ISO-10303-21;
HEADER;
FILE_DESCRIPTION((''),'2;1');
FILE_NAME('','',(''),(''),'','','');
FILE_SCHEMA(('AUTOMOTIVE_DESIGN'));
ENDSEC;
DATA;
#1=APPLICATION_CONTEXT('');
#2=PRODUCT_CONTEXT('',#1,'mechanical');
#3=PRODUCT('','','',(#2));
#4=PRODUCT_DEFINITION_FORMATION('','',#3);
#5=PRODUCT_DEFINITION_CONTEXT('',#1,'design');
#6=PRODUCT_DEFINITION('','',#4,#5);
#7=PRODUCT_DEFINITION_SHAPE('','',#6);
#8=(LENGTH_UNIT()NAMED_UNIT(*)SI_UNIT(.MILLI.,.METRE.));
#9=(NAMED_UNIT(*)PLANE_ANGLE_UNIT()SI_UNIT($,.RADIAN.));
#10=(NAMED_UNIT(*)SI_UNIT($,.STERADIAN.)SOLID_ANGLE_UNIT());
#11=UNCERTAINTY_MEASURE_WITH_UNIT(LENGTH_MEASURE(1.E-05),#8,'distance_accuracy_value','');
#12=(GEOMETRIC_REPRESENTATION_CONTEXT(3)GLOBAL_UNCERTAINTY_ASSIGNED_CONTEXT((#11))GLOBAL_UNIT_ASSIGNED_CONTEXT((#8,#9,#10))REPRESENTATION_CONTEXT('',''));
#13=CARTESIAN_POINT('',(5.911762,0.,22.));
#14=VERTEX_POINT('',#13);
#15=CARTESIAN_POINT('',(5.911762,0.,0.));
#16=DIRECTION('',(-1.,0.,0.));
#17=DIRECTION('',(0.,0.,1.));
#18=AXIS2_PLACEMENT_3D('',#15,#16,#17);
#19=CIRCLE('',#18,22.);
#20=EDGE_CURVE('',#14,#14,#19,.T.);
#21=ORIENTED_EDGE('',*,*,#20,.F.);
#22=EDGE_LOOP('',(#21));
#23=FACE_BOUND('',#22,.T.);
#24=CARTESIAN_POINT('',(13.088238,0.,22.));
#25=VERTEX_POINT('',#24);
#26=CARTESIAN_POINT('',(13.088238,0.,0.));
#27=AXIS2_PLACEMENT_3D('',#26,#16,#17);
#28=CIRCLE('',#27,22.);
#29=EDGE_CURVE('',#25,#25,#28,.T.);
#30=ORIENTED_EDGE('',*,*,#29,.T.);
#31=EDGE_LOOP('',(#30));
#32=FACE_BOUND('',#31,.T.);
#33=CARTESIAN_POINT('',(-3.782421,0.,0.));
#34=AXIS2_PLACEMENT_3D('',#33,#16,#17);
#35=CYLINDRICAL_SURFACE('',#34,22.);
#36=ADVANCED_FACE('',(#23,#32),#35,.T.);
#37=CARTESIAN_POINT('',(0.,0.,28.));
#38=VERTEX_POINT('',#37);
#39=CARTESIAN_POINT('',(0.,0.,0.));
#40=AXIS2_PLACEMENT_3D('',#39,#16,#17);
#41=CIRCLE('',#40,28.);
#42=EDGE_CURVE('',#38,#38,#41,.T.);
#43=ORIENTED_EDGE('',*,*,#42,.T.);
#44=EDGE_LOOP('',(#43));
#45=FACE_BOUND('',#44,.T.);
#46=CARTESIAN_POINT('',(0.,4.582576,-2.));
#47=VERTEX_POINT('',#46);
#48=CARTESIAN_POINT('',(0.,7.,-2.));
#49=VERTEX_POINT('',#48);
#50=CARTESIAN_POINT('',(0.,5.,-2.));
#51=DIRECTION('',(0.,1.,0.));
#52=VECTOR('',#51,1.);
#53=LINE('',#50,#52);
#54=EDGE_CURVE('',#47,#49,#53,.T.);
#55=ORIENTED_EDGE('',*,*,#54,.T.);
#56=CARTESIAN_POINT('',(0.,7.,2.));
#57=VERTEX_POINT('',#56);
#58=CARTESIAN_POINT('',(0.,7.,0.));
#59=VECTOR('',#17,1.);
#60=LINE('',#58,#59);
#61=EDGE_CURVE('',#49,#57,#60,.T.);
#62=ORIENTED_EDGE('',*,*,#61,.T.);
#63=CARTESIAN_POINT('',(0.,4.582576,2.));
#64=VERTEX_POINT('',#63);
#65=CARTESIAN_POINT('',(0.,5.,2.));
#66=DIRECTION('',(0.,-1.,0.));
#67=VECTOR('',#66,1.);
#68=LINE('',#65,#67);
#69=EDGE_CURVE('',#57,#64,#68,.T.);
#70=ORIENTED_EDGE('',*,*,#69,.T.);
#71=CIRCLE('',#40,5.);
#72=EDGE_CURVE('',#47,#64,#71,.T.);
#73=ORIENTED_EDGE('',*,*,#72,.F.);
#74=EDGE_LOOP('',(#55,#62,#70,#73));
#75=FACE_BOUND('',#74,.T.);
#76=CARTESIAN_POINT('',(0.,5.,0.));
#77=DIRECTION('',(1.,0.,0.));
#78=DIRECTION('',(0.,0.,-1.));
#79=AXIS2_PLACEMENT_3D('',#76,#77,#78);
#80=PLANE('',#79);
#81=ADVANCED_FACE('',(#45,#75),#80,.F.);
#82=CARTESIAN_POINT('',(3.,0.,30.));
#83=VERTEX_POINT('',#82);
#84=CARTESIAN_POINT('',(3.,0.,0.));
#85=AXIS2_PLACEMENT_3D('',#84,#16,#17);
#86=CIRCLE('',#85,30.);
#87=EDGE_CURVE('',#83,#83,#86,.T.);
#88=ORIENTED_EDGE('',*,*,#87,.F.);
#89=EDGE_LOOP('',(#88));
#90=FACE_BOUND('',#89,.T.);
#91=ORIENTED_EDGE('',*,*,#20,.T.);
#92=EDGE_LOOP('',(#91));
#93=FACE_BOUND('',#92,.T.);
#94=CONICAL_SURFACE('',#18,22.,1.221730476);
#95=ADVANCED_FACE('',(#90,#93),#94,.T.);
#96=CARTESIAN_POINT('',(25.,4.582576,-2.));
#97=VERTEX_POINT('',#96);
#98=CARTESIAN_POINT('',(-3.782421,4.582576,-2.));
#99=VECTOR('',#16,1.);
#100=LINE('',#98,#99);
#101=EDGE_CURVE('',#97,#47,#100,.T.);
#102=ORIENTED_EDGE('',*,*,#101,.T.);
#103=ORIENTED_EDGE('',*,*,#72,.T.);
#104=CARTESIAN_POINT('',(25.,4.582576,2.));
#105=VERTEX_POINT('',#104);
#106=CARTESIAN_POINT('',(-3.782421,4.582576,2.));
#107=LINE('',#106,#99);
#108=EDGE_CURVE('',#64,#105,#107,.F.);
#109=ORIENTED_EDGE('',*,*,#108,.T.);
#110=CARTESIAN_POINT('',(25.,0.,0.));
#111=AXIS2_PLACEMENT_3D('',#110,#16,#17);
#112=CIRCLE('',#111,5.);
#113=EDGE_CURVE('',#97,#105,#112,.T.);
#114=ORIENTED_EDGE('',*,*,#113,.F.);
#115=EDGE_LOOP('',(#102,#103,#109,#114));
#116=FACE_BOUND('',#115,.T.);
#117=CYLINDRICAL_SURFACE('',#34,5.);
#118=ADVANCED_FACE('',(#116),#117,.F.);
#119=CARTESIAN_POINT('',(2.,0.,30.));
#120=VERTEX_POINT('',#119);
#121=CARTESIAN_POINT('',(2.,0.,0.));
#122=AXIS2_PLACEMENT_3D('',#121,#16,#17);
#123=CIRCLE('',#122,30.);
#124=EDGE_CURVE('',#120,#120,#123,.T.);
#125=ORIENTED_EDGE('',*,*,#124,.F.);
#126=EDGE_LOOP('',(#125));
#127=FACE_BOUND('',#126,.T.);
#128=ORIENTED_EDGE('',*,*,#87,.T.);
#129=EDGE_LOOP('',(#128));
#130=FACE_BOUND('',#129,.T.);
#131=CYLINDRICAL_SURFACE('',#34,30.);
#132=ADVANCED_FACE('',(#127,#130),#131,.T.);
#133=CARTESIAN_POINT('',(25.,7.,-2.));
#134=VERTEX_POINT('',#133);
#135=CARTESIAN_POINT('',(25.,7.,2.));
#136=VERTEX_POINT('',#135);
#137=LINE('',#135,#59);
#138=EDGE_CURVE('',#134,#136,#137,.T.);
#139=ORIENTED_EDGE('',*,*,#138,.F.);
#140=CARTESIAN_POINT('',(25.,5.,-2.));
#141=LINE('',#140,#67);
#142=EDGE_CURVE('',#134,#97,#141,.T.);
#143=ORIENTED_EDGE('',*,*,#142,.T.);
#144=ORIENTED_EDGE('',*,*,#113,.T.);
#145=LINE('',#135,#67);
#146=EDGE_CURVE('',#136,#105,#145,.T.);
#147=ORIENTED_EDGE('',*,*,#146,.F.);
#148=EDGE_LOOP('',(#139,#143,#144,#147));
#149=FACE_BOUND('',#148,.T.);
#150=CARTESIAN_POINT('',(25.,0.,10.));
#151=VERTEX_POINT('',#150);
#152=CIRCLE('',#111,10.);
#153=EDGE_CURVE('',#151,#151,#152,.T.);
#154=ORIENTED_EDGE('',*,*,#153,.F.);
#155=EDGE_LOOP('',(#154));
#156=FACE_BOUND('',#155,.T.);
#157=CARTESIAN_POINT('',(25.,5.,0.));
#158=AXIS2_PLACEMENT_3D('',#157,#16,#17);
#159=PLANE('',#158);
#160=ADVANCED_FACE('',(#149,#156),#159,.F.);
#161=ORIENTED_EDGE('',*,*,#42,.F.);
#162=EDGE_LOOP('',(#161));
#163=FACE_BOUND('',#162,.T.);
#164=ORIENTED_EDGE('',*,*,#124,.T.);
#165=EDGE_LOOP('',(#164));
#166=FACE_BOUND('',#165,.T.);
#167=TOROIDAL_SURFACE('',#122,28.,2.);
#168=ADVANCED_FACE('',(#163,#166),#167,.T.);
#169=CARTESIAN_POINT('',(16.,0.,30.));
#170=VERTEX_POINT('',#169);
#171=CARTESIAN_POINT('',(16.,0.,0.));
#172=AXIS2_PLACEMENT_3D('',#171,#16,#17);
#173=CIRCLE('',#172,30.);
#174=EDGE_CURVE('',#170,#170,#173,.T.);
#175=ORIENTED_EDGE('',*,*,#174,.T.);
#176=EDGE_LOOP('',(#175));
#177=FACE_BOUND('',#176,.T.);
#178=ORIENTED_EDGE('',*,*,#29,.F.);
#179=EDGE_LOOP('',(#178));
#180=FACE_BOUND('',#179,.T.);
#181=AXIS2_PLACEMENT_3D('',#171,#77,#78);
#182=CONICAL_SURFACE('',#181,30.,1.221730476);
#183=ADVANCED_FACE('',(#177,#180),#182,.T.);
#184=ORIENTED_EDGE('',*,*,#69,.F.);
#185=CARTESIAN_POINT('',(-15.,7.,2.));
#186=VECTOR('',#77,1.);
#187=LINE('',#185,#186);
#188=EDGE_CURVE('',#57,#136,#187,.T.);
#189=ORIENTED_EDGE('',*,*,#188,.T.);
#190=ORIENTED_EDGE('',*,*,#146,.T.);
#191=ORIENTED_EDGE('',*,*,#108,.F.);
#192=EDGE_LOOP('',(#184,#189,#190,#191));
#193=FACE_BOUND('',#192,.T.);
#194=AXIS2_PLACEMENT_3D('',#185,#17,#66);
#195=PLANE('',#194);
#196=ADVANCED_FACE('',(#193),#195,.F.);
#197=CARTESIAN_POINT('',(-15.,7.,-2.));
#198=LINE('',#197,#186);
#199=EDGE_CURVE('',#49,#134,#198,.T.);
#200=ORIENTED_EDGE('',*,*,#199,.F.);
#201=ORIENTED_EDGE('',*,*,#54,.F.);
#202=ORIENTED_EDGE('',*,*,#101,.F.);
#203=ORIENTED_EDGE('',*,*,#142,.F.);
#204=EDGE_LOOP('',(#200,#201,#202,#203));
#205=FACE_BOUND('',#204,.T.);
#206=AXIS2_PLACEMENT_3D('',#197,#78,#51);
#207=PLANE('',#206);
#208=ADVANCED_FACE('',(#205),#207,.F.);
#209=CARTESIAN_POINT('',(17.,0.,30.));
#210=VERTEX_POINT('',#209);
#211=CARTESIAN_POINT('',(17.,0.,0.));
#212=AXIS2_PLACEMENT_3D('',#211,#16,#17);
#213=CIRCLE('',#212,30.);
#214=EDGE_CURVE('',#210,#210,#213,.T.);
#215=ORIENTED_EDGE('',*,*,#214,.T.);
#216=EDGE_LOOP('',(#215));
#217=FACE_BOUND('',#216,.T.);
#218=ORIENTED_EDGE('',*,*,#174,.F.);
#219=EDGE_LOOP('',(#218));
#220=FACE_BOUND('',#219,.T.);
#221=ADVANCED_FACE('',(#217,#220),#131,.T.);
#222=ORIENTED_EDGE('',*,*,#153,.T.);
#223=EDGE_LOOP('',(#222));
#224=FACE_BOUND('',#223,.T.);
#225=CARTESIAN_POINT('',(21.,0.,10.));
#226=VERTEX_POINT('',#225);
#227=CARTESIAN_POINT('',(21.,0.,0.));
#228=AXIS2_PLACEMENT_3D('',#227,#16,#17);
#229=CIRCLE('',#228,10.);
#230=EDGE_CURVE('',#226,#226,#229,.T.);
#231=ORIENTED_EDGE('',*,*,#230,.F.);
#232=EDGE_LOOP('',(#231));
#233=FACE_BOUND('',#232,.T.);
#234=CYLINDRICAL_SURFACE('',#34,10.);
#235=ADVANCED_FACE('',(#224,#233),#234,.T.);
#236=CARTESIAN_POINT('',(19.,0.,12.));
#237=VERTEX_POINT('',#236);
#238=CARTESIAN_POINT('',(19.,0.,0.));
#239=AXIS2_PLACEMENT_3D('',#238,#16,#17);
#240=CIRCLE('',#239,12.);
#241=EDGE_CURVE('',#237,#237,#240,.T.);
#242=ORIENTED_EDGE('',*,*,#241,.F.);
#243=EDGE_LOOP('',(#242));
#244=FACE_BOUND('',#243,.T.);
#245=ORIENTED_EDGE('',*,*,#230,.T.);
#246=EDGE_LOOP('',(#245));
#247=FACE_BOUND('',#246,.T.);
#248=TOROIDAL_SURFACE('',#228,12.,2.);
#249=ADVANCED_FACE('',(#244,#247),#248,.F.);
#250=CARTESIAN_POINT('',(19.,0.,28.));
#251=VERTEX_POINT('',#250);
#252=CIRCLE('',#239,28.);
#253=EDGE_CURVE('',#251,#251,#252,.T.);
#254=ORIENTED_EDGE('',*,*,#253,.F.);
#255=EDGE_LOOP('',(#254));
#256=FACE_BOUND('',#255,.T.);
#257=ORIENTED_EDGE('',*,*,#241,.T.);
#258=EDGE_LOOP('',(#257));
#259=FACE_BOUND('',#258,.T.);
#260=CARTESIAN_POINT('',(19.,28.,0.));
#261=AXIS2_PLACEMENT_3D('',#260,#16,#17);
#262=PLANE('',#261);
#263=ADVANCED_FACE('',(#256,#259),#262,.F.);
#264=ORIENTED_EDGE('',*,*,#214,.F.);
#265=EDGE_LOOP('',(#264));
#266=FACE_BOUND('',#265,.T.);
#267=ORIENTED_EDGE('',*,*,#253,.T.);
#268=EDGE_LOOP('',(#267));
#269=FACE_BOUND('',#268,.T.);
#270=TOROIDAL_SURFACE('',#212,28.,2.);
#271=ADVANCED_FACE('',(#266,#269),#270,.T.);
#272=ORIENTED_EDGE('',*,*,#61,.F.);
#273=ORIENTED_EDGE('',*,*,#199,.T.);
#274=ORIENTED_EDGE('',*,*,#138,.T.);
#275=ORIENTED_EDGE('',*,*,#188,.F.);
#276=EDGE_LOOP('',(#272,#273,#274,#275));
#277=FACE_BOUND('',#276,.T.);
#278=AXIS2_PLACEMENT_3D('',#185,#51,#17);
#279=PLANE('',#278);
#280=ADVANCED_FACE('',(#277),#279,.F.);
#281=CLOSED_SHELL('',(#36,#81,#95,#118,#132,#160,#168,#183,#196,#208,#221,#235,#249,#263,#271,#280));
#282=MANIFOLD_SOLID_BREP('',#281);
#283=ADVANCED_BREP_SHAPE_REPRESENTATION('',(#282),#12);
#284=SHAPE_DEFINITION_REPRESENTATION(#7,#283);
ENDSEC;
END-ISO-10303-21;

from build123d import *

# Parameters (mm, degrees)
SKETCH2_W          = 4
SKETCH2_H          = 7
CUT_EXTRUDE1_DEPTH = 40


with BuildPart() as part:
    # Sketch1 → Revolve1 (revolve)
    with BuildSketch(Plane.XY):
        with BuildLine():
            Line((16, 30), (17, 30))
            ThreePointArc((17, 30), (18.414213562, 29.414213562), (19, 28))
            Line((19, 28), (19, 12))
            ThreePointArc((19, 12), (19.585786438, 10.585786438), (21, 10))
            Line((21, 10), (25, 10))
            Line((25, 10), (25, 5))
            Line((25, 5), (0, 5))
            Line((0, 5), (0, 28))
            ThreePointArc((0, 28), (0.585786438, 29.414213562), (2, 30))
            Line((2, 30), (3, 30))
            Line((3, 30), (5.911761874, 22))
            Line((5.911761874, 22), (13.088238126, 22))
            Line((13.088238126, 22), (16, 30))
        make_face()
    revolve(axis=Axis((-3.782421274, 0, 0), (1, 0, 0)))

    # Sketch2 → Cut-Extrude1 (cut)
    with BuildSketch(Plane(origin=(25, 0, 0), x_dir=(0, 0, -1), z_dir=(1, 0, 0))):
        with Locations((0, 3.5)):
            Rectangle(SKETCH2_W, SKETCH2_H)
    extrude(amount=-CUT_EXTRUDE1_DEPTH, mode=Mode.SUBTRACT)


solid = part.part
